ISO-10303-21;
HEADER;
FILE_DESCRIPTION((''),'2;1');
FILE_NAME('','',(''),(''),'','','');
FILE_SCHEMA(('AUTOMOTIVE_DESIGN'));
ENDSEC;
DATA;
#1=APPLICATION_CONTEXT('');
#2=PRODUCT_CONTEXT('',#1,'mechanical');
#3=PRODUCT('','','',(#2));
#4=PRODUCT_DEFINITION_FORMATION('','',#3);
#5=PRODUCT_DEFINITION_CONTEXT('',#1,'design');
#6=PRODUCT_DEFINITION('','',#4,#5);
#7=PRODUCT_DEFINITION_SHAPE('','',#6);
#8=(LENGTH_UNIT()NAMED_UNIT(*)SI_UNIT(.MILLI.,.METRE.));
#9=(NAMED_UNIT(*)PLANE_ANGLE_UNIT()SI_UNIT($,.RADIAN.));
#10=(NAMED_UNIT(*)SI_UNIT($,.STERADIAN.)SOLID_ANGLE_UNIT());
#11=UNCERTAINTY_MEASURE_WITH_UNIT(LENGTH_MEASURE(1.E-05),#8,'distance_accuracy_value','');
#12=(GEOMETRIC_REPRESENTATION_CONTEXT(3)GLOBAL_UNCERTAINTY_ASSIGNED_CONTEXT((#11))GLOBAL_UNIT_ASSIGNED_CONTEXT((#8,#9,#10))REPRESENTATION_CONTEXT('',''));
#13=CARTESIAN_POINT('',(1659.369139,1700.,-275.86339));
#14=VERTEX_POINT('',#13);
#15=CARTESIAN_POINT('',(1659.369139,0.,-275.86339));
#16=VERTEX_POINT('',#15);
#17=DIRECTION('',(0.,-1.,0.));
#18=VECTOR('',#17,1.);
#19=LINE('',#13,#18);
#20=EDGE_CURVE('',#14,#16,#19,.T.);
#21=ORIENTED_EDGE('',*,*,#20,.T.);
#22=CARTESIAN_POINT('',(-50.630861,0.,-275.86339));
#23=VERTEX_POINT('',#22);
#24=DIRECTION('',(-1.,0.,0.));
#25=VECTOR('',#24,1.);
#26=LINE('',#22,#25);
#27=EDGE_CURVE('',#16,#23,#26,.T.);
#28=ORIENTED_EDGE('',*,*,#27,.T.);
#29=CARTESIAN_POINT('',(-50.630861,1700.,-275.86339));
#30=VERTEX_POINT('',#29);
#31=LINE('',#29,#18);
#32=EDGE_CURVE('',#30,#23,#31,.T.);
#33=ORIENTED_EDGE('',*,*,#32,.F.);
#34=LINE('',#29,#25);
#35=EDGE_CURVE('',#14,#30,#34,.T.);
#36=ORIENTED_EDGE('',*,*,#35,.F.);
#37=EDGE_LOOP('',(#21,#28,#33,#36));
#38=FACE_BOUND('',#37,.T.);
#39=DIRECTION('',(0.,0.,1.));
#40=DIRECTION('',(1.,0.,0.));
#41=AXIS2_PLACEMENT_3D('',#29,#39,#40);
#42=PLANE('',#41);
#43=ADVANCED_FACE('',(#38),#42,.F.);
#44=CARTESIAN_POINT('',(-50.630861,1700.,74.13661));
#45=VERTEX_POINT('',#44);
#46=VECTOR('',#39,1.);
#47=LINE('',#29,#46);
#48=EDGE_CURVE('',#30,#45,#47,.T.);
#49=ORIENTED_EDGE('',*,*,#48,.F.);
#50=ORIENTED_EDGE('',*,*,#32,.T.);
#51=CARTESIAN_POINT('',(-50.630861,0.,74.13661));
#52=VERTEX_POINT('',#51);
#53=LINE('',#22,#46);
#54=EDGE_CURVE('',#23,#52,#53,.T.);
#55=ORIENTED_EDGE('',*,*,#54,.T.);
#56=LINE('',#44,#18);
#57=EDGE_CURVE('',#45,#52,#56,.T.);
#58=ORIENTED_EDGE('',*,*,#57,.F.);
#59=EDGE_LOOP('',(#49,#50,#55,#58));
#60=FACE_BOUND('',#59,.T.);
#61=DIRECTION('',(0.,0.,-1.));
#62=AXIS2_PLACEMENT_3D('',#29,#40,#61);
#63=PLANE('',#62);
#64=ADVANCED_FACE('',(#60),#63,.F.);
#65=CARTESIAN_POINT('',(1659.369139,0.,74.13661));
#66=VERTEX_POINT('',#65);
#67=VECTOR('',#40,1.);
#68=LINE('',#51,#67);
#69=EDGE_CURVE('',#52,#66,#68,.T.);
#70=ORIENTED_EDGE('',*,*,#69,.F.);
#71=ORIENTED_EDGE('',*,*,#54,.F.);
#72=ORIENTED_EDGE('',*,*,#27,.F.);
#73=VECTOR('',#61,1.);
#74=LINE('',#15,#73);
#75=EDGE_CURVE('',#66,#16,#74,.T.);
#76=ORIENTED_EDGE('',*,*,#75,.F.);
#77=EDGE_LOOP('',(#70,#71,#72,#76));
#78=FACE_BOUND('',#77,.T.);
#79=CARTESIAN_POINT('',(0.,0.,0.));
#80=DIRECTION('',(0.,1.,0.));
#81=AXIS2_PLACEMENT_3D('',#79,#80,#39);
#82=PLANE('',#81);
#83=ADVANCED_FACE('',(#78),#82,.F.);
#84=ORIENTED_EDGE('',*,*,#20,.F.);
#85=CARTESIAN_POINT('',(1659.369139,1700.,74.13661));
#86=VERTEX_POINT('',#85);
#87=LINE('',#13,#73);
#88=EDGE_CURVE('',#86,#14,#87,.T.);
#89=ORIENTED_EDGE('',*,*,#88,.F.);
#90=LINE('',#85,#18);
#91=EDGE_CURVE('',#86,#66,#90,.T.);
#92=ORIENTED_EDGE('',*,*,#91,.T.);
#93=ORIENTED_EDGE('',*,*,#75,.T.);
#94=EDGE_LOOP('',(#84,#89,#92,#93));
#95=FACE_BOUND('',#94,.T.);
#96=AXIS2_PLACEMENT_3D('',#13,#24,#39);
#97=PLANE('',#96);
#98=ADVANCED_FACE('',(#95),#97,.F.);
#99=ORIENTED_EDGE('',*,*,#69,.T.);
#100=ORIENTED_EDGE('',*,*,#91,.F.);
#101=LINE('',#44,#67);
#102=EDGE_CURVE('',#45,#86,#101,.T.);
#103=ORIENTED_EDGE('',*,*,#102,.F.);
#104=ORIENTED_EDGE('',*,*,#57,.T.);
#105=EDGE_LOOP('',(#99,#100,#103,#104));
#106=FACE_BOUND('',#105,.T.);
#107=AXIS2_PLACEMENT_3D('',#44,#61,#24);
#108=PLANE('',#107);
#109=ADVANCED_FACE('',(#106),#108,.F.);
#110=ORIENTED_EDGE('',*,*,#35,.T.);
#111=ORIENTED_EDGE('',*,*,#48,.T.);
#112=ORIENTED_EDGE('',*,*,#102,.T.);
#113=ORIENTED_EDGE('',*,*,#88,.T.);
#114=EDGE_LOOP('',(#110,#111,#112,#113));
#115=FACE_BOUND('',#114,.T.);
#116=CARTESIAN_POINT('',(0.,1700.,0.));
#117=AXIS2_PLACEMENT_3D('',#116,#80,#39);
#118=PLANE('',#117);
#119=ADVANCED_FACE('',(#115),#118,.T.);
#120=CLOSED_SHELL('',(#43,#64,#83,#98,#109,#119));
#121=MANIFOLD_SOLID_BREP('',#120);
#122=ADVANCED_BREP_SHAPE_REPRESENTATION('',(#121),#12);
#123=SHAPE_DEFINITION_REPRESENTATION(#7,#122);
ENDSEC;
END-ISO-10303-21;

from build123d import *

# Parameters (mm, degrees)
SKETCH_1_W      = 1710
SKETCH_1_H      = 350
EXTRUDE_1_DEPTH = 1700


with BuildPart() as part:
    # ｽｹｯﾁ1 → ﾎﾞｽ - 押し出し1 (new body)
    with BuildSketch(Plane(origin=(0, 0, 0), x_dir=(1, 0, 0), z_dir=(0, 1, 0))):
        with Locations((804.369138566, 100.863389704)):
            Rectangle(SKETCH_1_W, SKETCH_1_H)
    extrude(amount=EXTRUDE_1_DEPTH)


solid = part.part
